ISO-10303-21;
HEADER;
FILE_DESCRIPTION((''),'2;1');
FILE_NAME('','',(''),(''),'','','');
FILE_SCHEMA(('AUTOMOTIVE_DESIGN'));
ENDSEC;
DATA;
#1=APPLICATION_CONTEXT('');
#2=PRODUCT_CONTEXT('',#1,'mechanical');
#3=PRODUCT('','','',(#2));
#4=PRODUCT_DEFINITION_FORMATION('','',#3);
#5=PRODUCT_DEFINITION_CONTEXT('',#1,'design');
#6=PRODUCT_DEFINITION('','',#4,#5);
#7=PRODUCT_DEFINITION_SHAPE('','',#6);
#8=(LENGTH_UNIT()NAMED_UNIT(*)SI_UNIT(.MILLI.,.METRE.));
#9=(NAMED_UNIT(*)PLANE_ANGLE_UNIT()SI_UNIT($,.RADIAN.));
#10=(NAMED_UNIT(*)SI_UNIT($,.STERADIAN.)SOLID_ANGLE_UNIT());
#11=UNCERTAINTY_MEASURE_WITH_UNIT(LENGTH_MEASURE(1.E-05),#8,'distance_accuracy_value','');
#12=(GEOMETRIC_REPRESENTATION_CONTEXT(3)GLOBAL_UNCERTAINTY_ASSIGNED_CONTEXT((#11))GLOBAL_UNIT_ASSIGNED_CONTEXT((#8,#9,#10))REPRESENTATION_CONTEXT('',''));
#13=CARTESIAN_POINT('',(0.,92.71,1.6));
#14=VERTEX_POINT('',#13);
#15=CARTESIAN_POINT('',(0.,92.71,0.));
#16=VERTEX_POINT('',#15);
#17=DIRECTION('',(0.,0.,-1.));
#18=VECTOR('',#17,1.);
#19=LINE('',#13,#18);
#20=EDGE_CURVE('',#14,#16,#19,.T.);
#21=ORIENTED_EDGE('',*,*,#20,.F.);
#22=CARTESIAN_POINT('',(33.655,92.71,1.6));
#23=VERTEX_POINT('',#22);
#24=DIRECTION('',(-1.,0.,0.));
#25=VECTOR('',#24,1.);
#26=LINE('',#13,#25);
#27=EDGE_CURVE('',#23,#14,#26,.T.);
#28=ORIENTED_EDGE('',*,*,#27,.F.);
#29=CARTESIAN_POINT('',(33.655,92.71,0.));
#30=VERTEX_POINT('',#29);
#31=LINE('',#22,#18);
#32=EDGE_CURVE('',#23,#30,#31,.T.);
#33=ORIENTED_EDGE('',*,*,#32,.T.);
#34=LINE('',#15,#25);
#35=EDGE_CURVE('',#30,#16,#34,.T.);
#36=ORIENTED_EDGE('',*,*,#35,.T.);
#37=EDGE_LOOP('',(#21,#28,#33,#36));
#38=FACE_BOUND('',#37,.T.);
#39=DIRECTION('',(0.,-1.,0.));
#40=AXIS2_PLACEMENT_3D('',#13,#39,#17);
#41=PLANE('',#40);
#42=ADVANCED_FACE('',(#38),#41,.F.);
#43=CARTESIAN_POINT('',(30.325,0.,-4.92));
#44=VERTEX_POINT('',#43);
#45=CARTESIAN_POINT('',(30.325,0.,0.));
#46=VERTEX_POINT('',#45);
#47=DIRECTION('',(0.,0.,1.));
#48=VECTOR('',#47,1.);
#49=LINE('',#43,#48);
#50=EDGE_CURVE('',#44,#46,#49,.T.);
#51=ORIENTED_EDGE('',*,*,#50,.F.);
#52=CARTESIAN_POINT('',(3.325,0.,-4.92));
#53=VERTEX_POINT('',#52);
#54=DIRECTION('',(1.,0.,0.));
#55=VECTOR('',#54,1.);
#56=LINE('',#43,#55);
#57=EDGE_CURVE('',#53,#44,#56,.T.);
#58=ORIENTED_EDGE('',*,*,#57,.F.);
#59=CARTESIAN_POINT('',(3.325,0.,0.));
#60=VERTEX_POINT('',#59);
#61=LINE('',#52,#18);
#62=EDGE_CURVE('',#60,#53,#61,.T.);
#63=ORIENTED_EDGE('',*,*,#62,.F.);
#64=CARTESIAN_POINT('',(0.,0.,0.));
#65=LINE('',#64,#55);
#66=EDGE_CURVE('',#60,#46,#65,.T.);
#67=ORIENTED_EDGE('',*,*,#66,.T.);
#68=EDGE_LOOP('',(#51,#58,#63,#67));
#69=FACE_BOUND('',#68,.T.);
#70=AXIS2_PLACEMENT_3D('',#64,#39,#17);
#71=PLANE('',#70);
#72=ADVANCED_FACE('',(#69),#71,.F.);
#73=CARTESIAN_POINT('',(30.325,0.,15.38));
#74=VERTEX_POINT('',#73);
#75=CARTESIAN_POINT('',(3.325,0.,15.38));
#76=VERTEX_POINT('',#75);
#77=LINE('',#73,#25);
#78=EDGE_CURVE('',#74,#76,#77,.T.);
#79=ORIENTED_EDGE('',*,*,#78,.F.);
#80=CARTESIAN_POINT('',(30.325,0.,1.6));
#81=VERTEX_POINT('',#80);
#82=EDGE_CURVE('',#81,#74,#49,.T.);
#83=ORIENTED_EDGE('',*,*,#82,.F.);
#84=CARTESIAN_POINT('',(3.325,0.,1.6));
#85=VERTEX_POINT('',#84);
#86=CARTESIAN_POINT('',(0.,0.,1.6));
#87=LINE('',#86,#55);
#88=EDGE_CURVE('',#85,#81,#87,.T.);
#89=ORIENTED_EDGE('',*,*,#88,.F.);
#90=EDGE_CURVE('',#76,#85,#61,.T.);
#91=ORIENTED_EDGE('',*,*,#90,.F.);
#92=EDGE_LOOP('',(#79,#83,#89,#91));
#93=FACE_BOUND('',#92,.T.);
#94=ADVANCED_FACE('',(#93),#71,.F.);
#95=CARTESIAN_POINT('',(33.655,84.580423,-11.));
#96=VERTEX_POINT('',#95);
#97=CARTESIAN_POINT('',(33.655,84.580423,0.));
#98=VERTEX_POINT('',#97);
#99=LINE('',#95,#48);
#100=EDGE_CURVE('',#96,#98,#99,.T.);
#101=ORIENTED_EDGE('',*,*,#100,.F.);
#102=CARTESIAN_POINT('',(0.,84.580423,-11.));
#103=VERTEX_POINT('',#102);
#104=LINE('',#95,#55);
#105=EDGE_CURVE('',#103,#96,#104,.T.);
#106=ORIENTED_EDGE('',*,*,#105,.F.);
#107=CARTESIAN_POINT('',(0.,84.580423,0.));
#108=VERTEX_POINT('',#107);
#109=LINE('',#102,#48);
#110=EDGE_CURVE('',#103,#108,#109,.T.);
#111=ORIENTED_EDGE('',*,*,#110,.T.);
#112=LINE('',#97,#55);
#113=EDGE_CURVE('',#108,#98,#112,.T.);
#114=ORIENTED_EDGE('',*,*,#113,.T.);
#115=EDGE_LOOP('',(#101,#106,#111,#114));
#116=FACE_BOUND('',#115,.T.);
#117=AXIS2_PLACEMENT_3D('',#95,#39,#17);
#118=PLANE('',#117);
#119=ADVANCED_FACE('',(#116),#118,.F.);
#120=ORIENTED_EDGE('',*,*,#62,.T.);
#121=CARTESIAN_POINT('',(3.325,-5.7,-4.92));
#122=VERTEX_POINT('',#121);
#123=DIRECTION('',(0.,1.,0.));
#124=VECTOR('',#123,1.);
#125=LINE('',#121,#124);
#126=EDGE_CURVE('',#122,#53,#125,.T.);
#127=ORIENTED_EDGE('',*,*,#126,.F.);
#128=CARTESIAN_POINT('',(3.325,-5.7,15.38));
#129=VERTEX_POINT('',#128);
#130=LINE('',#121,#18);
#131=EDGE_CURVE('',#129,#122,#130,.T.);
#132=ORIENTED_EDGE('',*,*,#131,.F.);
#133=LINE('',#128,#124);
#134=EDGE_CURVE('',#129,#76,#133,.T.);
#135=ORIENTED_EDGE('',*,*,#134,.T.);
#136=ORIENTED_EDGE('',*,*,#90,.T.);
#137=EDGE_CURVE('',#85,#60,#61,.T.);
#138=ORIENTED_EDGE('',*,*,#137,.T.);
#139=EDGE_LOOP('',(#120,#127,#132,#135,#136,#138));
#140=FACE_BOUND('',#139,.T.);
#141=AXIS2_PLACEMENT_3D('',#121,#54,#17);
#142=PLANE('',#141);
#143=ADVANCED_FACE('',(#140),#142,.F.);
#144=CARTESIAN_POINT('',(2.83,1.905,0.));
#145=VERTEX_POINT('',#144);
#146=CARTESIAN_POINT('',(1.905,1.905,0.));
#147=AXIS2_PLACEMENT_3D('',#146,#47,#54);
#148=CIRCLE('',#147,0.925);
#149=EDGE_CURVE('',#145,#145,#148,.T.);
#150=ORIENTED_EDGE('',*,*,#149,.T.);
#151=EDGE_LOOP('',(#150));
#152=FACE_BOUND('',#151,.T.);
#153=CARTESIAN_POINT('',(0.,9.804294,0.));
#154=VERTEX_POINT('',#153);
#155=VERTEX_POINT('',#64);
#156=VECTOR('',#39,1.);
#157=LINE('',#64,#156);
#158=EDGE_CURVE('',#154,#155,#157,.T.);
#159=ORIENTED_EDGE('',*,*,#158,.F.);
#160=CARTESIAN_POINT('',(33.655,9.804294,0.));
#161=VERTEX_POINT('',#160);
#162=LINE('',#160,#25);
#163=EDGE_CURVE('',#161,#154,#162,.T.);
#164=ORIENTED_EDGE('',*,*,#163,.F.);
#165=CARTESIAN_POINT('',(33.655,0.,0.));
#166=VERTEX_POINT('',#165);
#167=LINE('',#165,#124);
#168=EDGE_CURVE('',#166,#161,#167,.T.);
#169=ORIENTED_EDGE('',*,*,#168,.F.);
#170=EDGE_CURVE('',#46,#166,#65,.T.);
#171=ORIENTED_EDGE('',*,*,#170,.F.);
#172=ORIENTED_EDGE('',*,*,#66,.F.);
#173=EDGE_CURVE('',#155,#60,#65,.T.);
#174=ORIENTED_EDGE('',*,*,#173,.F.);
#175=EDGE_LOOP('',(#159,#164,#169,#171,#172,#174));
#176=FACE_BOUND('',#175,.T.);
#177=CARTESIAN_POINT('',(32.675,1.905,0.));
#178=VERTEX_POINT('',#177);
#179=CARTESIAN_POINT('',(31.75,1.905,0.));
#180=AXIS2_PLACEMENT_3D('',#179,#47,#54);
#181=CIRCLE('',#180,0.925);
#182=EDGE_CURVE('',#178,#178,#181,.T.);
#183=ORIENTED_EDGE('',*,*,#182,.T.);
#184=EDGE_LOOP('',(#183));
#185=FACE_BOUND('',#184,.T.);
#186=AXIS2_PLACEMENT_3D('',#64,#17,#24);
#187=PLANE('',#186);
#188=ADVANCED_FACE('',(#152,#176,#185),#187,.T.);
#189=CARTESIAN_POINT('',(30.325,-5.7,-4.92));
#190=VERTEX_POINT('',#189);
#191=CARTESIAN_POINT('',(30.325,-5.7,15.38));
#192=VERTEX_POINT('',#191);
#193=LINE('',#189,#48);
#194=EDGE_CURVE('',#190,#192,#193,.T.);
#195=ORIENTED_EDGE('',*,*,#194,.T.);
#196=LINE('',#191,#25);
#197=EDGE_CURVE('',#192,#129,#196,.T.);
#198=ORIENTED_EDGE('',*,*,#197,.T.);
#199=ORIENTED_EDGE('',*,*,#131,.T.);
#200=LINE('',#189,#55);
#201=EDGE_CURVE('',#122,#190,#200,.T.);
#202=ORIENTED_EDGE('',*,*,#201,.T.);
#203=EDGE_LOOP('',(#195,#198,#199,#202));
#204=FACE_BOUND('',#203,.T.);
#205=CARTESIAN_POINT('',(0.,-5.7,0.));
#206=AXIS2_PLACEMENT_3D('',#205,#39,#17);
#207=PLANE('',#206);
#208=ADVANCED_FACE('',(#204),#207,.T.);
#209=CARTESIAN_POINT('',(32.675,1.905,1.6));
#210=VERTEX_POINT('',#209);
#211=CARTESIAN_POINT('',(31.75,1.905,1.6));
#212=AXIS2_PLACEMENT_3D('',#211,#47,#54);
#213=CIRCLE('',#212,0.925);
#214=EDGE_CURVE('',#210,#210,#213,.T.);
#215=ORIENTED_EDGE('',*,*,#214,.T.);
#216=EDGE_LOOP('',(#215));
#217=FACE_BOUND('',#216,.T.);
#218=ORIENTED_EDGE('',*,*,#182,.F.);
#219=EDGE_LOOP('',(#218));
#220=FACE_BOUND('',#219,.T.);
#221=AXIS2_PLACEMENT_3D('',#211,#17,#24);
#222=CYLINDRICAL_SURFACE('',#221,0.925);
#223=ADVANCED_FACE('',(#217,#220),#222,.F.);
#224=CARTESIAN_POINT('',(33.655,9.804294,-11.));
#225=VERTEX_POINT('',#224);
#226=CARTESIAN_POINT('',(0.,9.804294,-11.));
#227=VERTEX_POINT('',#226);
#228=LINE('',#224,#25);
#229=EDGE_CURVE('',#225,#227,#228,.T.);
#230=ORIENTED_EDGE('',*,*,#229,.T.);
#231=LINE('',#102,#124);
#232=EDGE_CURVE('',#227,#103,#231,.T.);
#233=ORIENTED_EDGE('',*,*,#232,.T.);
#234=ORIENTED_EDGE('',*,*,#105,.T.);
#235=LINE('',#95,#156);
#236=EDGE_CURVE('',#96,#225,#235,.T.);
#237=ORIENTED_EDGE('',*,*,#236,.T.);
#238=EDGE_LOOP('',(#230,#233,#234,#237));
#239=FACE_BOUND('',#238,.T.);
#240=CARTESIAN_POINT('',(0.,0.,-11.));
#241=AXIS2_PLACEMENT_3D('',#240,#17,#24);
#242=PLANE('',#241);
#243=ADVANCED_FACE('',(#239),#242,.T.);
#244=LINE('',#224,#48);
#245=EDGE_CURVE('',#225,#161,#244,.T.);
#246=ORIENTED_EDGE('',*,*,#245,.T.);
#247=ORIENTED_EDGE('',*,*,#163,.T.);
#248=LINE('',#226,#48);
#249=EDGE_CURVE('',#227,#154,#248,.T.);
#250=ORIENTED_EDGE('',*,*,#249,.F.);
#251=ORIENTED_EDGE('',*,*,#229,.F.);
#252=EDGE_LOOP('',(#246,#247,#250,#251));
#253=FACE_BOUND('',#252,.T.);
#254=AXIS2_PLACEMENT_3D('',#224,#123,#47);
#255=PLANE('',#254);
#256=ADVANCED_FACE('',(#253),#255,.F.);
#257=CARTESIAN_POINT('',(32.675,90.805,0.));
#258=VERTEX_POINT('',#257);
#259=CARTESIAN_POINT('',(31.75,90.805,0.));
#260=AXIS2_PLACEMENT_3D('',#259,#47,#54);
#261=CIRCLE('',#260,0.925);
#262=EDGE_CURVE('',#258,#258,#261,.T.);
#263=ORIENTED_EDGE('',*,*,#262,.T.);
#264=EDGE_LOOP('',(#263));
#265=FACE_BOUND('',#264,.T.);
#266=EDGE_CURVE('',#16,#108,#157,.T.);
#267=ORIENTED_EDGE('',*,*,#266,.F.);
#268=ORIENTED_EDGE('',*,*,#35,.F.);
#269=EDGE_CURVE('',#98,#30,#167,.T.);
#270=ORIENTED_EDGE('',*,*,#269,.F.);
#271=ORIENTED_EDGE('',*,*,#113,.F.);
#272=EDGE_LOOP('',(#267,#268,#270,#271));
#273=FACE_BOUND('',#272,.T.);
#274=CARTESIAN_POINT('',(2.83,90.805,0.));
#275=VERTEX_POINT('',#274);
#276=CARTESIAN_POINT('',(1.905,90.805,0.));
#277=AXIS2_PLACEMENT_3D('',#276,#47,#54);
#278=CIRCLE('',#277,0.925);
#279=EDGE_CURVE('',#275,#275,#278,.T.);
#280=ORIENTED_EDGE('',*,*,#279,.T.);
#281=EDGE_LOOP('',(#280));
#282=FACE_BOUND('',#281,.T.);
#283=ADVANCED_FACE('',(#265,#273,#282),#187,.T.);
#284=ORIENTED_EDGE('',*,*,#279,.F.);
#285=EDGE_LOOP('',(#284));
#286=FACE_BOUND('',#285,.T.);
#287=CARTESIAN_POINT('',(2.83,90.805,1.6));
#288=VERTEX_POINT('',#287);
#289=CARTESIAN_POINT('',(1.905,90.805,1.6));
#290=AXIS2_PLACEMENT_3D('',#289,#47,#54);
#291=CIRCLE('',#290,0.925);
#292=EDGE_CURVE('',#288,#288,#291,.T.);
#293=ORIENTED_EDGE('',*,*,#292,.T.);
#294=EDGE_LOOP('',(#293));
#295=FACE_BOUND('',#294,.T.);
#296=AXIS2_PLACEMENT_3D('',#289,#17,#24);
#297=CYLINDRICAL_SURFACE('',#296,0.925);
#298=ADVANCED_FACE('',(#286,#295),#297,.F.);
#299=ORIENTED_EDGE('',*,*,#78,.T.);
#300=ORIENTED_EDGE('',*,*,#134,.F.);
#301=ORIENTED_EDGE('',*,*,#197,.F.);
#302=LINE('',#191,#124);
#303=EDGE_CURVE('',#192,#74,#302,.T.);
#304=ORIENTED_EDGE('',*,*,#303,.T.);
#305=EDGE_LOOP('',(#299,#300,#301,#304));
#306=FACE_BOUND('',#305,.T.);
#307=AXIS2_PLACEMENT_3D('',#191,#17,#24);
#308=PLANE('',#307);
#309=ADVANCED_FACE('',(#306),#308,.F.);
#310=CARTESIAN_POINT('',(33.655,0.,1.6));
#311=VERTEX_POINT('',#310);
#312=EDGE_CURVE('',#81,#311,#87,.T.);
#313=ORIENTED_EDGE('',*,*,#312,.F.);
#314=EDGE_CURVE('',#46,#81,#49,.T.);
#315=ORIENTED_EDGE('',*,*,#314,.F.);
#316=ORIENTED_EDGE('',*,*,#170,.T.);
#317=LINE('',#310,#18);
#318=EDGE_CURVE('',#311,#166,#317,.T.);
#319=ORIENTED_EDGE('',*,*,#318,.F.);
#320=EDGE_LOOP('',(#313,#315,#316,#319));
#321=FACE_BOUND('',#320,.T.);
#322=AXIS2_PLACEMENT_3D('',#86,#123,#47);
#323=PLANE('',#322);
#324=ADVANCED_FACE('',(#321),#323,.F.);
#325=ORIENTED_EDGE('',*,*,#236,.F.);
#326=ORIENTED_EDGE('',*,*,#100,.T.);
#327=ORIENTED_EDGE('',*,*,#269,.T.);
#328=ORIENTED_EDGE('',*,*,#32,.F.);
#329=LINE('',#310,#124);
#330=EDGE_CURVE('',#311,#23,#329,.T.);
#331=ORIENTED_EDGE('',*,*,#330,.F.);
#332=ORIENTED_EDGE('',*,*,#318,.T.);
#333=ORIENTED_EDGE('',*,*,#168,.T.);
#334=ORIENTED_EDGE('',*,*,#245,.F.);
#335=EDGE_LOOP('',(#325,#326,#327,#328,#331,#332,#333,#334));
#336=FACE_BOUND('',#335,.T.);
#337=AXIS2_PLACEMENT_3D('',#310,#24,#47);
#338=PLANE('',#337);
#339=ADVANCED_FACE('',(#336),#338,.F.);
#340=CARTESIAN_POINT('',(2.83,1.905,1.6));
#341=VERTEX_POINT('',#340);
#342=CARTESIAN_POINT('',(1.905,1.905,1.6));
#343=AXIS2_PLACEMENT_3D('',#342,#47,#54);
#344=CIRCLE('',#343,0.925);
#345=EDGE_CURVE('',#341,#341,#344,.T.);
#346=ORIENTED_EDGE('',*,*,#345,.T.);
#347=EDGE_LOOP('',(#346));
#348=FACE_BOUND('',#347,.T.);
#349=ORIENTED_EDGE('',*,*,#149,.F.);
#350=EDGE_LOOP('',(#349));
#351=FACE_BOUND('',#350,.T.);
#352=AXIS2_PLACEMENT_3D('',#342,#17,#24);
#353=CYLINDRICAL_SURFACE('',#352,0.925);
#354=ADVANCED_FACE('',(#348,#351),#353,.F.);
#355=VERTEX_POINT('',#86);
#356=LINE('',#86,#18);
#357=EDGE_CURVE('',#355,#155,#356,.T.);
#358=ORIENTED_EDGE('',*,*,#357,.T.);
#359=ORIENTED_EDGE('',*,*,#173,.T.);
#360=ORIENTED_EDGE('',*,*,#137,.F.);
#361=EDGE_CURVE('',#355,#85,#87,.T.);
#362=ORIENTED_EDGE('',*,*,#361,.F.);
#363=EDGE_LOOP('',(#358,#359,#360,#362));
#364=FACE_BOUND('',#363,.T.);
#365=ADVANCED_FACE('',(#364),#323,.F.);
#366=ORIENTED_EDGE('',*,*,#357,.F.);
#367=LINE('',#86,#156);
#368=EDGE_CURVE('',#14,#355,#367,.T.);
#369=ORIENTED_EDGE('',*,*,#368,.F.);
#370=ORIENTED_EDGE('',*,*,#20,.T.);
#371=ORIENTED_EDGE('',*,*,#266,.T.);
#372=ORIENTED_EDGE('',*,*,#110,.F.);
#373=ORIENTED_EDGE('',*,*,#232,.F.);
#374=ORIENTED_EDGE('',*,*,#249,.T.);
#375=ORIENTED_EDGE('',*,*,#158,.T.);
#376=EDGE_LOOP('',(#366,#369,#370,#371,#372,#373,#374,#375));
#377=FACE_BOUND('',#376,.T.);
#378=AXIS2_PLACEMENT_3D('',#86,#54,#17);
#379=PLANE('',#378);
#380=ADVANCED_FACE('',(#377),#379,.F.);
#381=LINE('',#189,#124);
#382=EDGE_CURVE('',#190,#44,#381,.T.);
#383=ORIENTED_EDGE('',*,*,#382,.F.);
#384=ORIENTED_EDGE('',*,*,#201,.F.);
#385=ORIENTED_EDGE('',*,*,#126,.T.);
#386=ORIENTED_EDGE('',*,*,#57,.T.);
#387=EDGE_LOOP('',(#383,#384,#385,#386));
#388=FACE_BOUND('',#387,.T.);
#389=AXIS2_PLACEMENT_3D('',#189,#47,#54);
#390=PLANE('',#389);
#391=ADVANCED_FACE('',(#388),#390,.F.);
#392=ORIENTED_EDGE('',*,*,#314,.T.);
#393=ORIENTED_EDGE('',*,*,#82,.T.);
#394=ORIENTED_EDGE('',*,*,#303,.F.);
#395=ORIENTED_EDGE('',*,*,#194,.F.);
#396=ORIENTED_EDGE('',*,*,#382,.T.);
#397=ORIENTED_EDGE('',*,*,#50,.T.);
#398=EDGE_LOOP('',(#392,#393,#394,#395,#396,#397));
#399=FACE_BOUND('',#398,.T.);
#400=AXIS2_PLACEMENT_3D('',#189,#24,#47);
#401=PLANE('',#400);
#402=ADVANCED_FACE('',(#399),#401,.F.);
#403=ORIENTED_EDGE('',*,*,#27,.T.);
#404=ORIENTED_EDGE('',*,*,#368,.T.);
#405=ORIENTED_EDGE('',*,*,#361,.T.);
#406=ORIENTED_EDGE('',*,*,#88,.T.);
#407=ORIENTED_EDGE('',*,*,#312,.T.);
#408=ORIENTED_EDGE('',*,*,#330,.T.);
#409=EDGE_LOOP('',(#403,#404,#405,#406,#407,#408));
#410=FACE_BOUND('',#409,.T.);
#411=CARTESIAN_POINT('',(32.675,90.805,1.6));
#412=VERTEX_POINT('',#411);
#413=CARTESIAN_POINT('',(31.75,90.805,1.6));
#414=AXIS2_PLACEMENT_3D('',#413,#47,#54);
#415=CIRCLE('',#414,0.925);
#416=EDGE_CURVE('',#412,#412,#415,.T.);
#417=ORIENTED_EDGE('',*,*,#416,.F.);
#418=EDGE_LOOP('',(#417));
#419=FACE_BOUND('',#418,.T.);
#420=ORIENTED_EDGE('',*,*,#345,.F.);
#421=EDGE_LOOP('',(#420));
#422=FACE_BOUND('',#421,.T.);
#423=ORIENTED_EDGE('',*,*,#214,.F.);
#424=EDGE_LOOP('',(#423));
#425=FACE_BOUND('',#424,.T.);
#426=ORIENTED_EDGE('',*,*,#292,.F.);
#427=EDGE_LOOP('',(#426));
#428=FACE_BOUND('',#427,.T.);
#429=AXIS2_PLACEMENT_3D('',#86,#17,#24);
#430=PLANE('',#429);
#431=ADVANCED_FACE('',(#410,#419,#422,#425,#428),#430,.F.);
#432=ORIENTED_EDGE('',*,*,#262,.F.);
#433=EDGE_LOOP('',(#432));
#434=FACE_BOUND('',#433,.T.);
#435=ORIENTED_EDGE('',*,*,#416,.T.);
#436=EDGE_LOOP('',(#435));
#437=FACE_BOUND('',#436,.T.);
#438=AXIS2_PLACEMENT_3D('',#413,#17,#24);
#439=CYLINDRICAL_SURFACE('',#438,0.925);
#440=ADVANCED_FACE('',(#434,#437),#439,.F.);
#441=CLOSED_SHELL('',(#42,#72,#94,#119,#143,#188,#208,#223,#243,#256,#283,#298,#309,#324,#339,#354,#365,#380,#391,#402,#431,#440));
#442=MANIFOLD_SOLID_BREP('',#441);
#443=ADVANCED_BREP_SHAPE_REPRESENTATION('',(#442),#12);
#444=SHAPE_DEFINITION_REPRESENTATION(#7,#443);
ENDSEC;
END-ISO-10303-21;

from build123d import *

# Parameters (mm, degrees)
SKETCH1_W           = 33.655
SKETCH1_H           = 92.71
SKETCH1_R           = 0.925
BOSS_EXTRUDE1_DEPTH = 1.6
SKETCH2_W           = 33.655
SKETCH2_H           = 74.776129116
BOSS_EXTRUDE2_DEPTH = 11
SKETCH3_W           = 27
SKETCH3_H           = 20.3
BOSS_EXTRUDE3_DEPTH = 5.7


with BuildPart() as part:
    # Sketch1 → Boss-Extrude1 (new body)
    with BuildSketch(Plane.XY):
        with Locations((16.8275, 46.355)):
            Rectangle(SKETCH1_W, SKETCH1_H)
        with Locations((1.905, 90.805)):
            Circle(SKETCH1_R, mode=Mode.SUBTRACT)
        with Locations((31.75, 90.805)):
            Circle(SKETCH1_R, mode=Mode.SUBTRACT)
        with Locations((1.905, 1.905)):
            Circle(SKETCH1_R, mode=Mode.SUBTRACT)
        with Locations((31.75, 1.905)):
            Circle(SKETCH1_R, mode=Mode.SUBTRACT)
    extrude(amount=BOSS_EXTRUDE1_DEPTH)

    # Sketch2 → Boss-Extrude2 (add)
    with BuildSketch(Plane(origin=(0, 0, 0), x_dir=(-1, 0, 0), z_dir=(0, 0, -1))):
        with Locations((-16.8275, 47.192358669)):
            Rectangle(SKETCH2_W, SKETCH2_H)
    extrude(amount=BOSS_EXTRUDE2_DEPTH)

    # Sketch3 → Boss-Extrude3 (add)
    with BuildSketch(Plane.XZ):
        with Locations((16.825, 5.23)):
            Rectangle(SKETCH3_W, SKETCH3_H)
    extrude(amount=BOSS_EXTRUDE3_DEPTH)


solid = part.part
